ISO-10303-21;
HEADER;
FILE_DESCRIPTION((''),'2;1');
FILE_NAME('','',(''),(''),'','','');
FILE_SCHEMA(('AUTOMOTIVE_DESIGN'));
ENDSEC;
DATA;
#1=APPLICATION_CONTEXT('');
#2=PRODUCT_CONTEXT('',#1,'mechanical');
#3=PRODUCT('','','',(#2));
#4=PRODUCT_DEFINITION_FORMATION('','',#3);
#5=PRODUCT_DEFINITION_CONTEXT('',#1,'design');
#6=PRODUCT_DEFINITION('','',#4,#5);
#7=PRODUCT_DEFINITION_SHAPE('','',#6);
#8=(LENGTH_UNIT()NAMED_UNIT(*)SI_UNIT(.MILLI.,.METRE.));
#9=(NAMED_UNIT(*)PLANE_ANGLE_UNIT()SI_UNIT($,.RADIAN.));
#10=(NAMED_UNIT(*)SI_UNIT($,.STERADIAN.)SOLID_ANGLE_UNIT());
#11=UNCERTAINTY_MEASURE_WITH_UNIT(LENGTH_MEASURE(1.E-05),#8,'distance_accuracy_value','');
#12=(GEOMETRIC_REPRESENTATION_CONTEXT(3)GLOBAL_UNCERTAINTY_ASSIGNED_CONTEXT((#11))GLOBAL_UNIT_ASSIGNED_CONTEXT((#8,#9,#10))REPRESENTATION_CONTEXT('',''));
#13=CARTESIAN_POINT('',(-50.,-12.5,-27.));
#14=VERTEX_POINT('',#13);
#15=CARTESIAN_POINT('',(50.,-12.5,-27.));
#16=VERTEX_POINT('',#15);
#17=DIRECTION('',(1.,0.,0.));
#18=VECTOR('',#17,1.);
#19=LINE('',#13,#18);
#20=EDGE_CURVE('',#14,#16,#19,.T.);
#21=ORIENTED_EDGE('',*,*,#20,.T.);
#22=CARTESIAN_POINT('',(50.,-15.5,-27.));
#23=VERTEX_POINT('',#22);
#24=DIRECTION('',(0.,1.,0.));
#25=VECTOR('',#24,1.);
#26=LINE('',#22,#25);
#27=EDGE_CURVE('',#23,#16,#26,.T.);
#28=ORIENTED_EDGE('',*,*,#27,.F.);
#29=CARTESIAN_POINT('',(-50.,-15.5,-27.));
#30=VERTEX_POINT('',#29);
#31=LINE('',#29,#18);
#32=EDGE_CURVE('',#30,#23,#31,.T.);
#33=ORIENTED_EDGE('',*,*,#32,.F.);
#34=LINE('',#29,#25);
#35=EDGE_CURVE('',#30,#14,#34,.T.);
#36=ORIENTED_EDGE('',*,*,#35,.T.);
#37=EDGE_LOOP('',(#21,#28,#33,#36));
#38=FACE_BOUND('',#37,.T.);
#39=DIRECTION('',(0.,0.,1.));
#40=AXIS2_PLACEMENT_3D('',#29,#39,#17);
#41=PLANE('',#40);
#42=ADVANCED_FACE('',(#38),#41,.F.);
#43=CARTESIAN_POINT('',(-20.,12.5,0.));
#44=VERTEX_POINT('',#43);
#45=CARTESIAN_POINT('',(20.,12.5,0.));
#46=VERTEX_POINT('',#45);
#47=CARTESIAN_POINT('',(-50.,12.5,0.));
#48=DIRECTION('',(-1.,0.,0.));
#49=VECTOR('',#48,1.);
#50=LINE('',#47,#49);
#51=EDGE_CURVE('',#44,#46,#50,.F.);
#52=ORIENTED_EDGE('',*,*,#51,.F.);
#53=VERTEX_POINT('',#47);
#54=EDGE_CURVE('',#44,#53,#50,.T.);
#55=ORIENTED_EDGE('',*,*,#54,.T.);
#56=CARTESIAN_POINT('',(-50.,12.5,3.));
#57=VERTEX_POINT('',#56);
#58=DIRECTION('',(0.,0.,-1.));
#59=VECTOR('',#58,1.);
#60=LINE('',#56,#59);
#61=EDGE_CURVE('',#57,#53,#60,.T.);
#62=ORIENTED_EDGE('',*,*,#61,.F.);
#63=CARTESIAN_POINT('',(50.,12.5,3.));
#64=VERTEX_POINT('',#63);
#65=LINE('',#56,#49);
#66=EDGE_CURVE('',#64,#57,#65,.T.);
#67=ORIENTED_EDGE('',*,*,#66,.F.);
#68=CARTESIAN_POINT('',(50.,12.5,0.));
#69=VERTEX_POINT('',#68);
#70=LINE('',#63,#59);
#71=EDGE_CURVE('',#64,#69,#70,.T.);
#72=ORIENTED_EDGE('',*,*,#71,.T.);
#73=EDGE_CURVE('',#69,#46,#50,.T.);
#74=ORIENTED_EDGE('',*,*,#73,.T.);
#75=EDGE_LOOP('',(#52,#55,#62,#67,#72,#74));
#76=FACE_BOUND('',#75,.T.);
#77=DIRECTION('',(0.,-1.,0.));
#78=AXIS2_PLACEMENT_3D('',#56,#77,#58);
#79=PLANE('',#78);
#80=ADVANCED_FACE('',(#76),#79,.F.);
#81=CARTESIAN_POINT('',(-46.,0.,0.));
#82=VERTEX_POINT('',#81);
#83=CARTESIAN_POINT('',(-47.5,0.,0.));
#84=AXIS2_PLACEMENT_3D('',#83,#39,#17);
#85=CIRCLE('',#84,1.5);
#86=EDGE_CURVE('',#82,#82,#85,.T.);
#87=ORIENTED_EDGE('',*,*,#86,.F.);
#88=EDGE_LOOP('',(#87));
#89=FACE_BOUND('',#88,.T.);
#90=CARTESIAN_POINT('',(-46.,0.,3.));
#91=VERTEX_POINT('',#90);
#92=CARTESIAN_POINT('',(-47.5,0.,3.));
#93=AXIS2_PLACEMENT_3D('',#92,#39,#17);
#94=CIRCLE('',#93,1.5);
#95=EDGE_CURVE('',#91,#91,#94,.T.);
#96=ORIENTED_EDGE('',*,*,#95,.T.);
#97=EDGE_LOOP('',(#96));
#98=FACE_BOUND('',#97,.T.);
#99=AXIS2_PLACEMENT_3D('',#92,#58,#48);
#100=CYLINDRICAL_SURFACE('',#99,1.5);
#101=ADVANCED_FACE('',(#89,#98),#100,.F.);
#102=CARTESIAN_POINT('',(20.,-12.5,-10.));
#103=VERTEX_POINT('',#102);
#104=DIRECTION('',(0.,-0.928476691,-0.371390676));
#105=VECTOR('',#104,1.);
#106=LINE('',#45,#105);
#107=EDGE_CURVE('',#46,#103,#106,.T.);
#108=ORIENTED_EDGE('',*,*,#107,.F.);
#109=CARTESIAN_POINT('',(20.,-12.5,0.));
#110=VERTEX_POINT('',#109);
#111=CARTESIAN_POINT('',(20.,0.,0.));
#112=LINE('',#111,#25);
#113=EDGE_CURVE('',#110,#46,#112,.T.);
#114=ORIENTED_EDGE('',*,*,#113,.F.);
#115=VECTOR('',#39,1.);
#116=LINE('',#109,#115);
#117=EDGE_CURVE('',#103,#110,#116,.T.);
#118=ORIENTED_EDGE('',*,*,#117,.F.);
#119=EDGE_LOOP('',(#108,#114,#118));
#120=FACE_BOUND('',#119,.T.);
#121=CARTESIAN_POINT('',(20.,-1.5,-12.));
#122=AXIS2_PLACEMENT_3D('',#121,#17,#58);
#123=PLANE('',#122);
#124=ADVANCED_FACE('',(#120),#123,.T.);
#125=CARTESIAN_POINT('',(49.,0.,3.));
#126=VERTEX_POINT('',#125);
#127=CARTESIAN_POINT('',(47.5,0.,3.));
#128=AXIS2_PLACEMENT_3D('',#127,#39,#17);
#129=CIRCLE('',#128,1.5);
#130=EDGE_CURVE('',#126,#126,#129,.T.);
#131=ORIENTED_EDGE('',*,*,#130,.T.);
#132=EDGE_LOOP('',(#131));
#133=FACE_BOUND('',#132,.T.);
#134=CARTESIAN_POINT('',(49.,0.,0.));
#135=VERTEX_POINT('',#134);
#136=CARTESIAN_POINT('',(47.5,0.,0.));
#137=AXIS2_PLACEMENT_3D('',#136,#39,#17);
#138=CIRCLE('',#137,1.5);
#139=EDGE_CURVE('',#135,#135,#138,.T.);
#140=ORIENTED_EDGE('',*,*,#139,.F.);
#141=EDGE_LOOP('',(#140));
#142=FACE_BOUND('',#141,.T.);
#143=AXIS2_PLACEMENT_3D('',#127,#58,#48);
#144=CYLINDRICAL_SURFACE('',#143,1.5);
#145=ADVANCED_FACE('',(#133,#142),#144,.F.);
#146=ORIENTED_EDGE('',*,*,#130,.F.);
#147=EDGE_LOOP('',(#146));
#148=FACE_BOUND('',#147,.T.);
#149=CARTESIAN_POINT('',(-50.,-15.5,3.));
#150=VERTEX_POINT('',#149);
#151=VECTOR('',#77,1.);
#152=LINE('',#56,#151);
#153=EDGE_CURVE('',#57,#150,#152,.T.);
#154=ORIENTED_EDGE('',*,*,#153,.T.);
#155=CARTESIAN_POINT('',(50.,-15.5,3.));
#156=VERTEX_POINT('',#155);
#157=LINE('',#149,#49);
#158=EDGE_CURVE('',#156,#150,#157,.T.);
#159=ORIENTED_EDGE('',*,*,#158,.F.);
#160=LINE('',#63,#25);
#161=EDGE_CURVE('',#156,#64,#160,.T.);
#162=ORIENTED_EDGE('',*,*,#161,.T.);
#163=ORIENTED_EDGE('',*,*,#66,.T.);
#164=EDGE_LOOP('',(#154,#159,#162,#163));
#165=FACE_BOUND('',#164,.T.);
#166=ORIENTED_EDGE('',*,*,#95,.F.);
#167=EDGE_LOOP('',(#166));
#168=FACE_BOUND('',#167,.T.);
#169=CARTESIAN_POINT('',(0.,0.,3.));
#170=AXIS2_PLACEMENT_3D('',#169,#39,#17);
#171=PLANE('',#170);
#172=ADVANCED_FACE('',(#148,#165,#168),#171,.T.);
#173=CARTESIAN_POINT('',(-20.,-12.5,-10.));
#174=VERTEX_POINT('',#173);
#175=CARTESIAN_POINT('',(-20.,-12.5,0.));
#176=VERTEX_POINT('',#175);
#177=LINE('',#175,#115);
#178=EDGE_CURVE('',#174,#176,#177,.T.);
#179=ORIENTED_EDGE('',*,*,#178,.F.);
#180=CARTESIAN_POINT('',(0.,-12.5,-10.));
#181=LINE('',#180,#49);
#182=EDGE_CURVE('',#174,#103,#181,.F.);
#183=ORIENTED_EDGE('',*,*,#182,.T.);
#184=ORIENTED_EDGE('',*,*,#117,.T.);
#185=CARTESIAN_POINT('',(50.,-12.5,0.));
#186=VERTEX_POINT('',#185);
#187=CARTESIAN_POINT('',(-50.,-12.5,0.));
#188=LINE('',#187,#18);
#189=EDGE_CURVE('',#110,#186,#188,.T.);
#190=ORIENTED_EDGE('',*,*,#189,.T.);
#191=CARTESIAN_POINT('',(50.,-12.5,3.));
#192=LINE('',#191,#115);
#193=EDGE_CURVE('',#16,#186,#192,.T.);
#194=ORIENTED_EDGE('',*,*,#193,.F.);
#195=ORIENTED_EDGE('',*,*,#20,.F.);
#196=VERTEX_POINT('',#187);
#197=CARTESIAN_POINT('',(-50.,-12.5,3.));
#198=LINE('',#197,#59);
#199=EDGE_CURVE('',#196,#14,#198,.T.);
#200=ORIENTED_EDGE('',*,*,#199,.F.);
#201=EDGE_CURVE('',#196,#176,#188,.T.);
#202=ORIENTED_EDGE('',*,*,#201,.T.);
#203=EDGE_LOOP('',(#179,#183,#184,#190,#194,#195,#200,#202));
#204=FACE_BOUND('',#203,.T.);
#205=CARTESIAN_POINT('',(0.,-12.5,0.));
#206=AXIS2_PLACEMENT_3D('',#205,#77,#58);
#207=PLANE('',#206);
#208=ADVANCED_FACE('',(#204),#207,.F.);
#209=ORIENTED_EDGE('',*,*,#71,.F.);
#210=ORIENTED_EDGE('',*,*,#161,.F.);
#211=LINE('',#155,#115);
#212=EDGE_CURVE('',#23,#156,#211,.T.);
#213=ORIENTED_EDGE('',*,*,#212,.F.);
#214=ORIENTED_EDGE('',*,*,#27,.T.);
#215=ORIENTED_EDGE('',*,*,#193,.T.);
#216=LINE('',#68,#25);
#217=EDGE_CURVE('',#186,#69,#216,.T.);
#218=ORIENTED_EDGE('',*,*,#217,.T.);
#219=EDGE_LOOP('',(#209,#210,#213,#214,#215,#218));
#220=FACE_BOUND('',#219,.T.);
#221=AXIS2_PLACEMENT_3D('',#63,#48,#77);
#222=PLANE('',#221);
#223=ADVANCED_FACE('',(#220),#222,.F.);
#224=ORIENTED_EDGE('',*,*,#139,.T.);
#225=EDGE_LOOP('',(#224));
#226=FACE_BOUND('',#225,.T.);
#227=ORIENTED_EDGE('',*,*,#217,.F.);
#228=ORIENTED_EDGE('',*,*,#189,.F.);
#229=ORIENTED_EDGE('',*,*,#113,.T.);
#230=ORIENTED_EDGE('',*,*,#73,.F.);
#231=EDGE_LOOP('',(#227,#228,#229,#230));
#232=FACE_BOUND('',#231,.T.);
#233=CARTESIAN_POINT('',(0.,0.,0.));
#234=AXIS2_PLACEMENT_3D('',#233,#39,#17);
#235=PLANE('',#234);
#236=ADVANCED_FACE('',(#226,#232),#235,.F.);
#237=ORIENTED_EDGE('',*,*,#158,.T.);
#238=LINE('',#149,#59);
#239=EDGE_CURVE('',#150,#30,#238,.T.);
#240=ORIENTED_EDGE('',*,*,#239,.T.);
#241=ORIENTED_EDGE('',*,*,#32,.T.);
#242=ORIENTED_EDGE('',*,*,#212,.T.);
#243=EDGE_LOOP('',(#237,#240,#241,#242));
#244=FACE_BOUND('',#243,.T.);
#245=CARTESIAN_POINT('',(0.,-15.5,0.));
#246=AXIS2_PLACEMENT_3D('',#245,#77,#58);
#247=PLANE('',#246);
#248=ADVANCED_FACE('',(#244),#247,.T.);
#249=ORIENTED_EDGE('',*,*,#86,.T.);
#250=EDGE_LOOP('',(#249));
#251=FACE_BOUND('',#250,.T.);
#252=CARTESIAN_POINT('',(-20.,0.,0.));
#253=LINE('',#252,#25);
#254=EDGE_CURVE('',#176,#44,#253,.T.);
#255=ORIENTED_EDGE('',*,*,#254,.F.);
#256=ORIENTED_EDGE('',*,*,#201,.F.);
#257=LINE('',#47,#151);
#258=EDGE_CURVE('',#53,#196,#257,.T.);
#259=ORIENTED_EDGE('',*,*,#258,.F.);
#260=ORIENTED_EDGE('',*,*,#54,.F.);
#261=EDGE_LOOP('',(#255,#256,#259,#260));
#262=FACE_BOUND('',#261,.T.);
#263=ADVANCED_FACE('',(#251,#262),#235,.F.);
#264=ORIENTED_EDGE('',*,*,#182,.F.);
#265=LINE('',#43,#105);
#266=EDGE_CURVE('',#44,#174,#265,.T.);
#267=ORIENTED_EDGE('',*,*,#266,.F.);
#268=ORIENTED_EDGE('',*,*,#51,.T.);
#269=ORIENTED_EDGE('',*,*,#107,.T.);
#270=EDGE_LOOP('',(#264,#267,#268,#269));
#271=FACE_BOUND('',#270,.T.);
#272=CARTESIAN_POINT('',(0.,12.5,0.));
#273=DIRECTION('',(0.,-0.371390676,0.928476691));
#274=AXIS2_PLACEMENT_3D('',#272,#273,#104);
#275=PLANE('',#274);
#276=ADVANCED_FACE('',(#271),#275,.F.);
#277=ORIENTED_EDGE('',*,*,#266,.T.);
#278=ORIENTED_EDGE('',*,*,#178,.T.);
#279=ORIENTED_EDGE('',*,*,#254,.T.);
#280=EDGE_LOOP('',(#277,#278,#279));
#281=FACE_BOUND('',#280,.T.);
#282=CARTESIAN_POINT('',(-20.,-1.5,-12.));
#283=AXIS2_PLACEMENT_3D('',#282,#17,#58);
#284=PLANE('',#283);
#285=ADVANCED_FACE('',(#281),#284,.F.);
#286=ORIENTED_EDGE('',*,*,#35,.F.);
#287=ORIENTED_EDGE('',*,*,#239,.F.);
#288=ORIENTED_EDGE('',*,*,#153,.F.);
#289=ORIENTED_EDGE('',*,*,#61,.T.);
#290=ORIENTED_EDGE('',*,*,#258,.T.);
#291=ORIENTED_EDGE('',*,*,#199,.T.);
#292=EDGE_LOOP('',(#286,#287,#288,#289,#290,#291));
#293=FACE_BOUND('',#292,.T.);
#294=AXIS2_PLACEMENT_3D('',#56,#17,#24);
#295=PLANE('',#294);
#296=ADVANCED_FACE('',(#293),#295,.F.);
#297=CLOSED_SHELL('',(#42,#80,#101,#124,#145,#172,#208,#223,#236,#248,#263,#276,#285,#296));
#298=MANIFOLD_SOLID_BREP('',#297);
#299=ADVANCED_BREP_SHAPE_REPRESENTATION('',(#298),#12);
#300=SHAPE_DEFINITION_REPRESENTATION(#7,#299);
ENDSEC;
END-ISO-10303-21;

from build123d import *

# Parameters (mm, degrees)
SKETCH1_W           = 100
SKETCH1_H           = 25
SKETCH1_R           = 1.5
BOSS_EXTRUDE1_DEPTH = 3
SKETCH2_W           = 100
SKETCH2_H           = 30
BOSS_EXTRUDE2_DEPTH = 3
RIB1_REACH          = 60.9
SKETCH3_WALL_W      = 146.72650315
SKETCH3_WALL_H      = 40


with BuildPart() as part:
    # Sketch1 → Boss-Extrude1 (new body)
    with BuildSketch(Plane.XY):
        Rectangle(SKETCH1_W, SKETCH1_H)
        with Locations((-47.5, 0)):
            Circle(SKETCH1_R, mode=Mode.SUBTRACT)
        with Locations((47.5, 0)):
            Circle(SKETCH1_R, mode=Mode.SUBTRACT)
    extrude(amount=BOSS_EXTRUDE1_DEPTH)

    # Sketch2 → Boss-Extrude2 (add)
    with BuildSketch(Plane.XZ.offset(12.5)):
        with Locations((0, -12)):
            Rectangle(SKETCH2_W, SKETCH2_H)
    extrude(amount=BOSS_EXTRUDE2_DEPTH)

    # Sketch3 wall → Rib1 (add, up to next)
    with BuildSketch(Plane(origin=(0, 0, -5), x_dir=(0, -0.928476690885, -0.371390676354), z_dir=(0, 0.371390676354, -0.928476690885)), mode=Mode.PRIVATE) as rib1_sk1:
        Rectangle(SKETCH3_WALL_W, SKETCH3_WALL_H)
    rib1_tool1 = extrude(rib1_sk1.sketch, amount=-RIB1_REACH, mode=Mode.PRIVATE) - part.part
    add(rib1_tool1.solids().sort_by_distance((0, 0, -5))[0])


solid = part.part
